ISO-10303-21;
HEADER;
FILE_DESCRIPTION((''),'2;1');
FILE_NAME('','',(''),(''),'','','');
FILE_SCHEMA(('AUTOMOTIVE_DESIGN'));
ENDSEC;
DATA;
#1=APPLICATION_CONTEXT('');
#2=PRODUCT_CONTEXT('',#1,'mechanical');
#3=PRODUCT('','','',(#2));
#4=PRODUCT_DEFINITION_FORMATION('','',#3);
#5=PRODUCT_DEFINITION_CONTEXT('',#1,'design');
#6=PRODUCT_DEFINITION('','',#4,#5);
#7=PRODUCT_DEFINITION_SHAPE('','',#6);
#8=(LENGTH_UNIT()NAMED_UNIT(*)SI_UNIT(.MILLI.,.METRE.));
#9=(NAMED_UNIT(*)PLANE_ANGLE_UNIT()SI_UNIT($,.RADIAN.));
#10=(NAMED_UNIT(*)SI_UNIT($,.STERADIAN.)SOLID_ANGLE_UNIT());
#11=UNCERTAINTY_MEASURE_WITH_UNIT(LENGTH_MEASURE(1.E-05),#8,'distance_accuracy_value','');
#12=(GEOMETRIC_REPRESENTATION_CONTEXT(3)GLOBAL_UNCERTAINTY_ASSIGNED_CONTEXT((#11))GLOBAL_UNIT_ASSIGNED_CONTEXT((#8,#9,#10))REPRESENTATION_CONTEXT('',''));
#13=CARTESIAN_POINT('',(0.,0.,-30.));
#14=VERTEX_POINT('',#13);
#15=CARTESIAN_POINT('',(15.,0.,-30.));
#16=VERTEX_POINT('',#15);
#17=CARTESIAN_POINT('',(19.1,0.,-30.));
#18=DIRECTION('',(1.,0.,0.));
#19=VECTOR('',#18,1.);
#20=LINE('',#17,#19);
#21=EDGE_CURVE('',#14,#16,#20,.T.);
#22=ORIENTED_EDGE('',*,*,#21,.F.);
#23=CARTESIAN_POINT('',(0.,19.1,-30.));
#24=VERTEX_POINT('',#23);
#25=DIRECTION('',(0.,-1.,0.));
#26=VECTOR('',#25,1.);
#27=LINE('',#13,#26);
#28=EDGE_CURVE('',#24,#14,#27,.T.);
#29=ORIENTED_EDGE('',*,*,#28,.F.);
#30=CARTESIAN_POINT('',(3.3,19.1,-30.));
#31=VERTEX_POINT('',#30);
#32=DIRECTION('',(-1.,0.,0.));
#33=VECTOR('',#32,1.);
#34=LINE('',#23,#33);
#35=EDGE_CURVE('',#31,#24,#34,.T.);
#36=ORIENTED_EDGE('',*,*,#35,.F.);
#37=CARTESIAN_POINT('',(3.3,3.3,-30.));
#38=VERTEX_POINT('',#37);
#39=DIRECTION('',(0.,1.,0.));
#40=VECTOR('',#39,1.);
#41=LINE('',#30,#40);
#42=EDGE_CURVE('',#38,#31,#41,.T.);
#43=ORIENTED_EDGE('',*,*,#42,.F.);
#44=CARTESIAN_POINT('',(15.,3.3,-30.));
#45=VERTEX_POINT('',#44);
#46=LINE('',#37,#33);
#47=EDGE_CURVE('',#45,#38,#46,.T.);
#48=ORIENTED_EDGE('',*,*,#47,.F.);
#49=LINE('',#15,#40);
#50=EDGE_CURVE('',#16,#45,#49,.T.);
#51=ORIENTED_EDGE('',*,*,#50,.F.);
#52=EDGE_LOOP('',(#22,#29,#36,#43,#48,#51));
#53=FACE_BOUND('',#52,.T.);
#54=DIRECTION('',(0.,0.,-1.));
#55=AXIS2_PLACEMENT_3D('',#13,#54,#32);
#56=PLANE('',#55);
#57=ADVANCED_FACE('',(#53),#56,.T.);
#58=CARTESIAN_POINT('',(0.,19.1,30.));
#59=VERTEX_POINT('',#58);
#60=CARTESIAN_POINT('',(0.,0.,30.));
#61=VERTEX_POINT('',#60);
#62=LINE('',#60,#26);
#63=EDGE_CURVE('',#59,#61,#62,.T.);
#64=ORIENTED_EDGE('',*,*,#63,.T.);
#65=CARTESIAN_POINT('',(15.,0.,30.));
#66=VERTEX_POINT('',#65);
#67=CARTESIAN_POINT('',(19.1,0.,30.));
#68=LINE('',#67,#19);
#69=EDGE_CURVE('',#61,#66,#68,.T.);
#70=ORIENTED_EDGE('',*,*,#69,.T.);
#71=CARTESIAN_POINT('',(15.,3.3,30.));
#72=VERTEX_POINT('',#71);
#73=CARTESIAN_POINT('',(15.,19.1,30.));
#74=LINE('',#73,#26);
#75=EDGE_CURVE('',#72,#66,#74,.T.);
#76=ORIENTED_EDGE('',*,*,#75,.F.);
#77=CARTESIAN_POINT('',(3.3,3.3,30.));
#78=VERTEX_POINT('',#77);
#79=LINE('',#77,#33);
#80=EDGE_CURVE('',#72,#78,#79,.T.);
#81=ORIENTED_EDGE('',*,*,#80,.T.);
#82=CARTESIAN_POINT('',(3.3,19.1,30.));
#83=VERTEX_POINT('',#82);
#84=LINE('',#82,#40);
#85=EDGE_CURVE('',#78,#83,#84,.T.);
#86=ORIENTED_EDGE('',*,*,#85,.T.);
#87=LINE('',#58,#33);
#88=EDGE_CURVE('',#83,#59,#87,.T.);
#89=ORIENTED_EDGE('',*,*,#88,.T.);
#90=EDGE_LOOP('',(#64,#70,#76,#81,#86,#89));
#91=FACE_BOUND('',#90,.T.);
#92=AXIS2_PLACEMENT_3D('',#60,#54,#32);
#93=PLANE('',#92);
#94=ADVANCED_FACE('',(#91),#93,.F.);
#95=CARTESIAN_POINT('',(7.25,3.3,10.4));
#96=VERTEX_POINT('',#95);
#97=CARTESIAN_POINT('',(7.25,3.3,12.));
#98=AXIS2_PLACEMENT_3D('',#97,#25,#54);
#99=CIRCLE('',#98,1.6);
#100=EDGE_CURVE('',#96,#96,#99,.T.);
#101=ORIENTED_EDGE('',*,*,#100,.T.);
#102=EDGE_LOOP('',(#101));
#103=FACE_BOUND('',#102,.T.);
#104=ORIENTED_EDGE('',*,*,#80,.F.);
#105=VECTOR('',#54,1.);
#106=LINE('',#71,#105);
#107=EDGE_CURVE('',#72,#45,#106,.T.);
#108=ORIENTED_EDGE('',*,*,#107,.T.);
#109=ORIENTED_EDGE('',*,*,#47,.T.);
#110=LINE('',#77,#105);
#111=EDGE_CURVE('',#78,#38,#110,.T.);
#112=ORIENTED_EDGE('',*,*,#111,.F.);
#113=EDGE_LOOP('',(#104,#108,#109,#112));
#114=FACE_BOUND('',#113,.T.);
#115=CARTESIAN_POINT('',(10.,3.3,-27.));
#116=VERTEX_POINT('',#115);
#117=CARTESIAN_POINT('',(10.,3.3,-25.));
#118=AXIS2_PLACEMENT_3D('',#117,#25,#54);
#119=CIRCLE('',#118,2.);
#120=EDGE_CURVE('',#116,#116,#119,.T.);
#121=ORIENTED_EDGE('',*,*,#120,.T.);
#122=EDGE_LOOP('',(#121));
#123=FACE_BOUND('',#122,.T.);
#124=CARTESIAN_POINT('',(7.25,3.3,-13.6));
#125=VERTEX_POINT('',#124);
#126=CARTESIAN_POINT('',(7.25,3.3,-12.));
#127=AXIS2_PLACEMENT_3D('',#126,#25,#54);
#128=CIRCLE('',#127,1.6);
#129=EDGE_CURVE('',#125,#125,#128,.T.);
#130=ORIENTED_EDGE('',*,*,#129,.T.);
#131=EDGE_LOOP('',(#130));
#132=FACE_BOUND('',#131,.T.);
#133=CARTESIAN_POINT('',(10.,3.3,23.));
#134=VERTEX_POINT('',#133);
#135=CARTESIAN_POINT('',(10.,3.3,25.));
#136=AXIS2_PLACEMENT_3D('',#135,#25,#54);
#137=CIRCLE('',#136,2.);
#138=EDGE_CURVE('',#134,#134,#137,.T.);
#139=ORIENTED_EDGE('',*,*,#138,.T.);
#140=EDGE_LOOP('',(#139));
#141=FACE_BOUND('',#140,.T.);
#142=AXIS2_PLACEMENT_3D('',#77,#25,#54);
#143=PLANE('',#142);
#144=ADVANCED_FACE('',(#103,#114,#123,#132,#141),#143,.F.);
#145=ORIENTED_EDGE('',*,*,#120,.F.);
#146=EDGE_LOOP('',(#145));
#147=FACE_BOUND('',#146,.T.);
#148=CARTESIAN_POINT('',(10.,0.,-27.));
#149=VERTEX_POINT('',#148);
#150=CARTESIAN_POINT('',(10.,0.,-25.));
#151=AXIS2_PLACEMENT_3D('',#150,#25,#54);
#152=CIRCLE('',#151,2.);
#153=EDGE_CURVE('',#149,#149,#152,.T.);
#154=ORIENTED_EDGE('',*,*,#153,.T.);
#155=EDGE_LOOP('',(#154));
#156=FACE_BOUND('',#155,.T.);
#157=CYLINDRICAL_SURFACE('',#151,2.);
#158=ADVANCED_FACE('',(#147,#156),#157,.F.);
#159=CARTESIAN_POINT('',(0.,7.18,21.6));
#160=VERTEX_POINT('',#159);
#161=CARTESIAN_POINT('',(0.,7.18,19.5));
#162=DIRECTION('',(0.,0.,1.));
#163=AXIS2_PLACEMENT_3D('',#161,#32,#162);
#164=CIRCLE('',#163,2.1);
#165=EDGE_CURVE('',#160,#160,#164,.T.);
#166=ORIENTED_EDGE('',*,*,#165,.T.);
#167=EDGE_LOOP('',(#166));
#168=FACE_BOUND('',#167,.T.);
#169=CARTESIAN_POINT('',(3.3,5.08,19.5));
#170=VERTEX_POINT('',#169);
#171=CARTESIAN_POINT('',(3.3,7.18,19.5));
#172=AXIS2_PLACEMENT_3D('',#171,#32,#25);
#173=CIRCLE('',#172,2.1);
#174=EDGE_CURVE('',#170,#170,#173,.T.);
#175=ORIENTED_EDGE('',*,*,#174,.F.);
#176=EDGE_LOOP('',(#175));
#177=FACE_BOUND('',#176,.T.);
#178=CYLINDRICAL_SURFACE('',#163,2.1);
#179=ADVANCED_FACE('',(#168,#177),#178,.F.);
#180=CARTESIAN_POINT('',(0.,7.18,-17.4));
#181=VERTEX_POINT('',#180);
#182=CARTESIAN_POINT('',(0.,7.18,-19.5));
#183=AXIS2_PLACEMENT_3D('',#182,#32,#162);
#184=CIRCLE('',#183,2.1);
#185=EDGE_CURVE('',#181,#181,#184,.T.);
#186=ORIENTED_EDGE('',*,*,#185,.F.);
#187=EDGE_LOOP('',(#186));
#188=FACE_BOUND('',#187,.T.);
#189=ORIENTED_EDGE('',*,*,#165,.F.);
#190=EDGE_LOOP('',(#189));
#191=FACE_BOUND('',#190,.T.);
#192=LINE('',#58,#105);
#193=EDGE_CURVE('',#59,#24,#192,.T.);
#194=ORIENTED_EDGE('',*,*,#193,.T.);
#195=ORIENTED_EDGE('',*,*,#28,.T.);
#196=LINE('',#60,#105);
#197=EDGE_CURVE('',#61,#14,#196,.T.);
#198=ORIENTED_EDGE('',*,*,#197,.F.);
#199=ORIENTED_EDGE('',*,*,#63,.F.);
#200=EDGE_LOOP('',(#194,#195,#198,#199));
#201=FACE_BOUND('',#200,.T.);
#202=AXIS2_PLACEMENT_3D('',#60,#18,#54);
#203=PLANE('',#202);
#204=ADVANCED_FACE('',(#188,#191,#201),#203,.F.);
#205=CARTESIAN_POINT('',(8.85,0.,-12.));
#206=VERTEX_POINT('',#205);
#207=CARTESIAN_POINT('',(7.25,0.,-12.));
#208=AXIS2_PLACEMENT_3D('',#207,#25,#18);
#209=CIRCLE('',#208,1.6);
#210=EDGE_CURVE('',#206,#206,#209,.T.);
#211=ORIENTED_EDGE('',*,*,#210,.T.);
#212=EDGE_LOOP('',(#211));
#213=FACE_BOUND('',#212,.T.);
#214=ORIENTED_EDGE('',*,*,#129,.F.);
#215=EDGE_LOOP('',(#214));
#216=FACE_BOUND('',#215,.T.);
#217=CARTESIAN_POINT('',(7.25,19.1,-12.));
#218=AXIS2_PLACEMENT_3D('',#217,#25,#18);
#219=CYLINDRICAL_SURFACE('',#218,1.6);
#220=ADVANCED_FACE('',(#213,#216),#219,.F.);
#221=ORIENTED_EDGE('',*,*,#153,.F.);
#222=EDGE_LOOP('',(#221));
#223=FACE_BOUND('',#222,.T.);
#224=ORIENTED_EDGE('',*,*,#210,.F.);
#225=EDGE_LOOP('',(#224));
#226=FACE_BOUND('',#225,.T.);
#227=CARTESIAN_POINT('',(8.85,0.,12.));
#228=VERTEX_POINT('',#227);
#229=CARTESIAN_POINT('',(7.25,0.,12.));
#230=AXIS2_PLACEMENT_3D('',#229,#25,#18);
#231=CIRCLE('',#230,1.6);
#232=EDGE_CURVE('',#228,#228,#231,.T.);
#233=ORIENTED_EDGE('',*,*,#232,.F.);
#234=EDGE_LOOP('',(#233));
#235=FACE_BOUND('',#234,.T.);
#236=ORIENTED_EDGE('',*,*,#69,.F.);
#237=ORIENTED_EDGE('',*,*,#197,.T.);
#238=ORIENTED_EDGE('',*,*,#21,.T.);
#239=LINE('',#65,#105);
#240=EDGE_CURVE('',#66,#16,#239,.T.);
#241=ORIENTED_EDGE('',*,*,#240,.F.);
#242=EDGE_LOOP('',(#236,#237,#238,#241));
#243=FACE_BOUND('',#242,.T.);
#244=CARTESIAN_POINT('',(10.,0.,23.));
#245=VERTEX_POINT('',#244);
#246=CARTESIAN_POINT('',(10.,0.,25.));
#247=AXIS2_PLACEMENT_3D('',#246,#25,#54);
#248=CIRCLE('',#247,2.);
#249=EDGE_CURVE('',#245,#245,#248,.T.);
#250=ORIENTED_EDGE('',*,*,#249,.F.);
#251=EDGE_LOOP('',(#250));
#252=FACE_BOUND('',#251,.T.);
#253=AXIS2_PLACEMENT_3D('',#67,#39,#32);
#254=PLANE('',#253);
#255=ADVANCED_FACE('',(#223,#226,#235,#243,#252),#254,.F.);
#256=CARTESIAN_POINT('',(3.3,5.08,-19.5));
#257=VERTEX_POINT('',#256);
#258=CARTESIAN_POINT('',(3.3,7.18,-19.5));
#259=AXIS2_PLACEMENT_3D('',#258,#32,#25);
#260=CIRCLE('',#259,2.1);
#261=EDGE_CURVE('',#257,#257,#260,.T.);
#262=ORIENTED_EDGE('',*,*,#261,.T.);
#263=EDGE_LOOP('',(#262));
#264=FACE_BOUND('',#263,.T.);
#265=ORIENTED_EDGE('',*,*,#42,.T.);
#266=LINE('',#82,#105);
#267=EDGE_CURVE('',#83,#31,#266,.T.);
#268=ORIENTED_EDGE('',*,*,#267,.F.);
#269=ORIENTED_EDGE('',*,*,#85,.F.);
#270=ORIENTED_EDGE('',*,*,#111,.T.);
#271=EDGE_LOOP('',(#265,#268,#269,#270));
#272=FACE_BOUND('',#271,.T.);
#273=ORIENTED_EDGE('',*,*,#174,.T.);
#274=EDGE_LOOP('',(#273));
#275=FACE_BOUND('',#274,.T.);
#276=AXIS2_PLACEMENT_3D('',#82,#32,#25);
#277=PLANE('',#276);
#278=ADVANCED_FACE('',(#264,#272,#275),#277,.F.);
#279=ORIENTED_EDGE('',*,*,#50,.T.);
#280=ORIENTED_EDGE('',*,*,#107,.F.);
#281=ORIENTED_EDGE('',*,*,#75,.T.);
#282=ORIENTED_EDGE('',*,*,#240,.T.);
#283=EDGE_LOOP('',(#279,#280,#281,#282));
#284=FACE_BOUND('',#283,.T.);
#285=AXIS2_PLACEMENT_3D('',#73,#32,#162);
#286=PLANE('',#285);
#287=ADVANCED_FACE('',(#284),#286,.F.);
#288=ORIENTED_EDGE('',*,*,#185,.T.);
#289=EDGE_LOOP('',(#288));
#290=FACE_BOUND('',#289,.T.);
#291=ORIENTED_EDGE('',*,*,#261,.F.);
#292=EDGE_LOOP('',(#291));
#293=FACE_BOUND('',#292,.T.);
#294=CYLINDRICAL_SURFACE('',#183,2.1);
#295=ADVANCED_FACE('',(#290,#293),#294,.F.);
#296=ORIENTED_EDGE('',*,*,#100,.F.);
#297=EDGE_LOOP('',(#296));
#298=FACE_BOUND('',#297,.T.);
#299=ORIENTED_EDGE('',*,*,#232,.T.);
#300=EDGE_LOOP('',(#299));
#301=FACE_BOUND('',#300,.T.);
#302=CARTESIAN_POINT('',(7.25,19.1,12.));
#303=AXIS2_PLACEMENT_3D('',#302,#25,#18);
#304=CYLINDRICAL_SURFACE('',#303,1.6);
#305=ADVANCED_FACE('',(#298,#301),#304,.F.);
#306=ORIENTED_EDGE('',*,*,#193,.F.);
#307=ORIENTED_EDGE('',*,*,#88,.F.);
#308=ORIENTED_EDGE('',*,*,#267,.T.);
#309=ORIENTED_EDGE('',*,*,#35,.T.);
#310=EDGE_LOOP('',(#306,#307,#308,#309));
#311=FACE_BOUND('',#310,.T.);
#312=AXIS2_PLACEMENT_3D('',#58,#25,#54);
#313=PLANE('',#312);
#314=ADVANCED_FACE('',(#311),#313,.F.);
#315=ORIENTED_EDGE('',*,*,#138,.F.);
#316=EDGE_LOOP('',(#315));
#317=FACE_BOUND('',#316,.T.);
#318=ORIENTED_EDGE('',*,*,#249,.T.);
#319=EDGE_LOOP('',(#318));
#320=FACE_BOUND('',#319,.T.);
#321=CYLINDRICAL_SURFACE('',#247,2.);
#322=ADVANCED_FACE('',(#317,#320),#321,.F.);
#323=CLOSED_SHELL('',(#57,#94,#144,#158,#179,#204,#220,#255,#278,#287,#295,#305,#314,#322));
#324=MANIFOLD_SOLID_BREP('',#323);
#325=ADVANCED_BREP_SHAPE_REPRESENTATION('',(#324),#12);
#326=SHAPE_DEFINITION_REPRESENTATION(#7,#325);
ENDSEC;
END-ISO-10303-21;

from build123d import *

# Parameters (mm, degrees)
EXTRUDE1_DEPTH               = 30
SKETCH2_W                    = 4.1
SKETCH2_H                    = 60
CUT_FOR_WALKER_CHASSIS_DEPTH = 20.1
F_4_2_4_2_DIAMETER_HOLE1_D   = 4.2
M4X0_7_TAPPED_HOLE1_D        = 4
M4X0_7_TAPPED_HOLE1_DEPTH    = 3.3
SKETCH7_R                    = 1.6
CUT_EXTRUDE1_DEPTH           = 20.1


with BuildPart() as part:
    # Sketch1 → Extrude1 (new body, symmetric)
    with BuildSketch(Plane.XY):
        Polygon((0, 0), (0, 19.1), (3.3, 19.1), (3.3, 3.3), (19.1, 3.3), (19.1, 0), align=None)
    extrude(amount=EXTRUDE1_DEPTH, both=True)

    # Sketch2 → Cut for walker chassis (cut, through all)
    with BuildSketch(Plane.XZ):
        with Locations((17.05, 0)):
            Rectangle(SKETCH2_W, SKETCH2_H)
    extrude(amount=-CUT_FOR_WALKER_CHASSIS_DEPTH, mode=Mode.SUBTRACT)

    # Ø4.2 (4.2) Diameter Hole1 (through all)
    with Locations(Plane.ZY):
        with Locations((-19.5, 7.18), (19.5, 7.18)):
            Hole(F_4_2_4_2_DIAMETER_HOLE1_D / 2)

    # M4x0.7 Tapped Hole1
    with Locations(Plane.XZ):
        with Locations((10, 25), (10, -25)):
            Hole(M4X0_7_TAPPED_HOLE1_D / 2, depth=M4X0_7_TAPPED_HOLE1_DEPTH)

    # Sketch7 → Cut-Extrude1 (cut, through all)
    with BuildSketch(Plane.XZ):
        with Locations((7.25, -12)):
            Circle(SKETCH7_R)
        with Locations((7.25, 12)):
            Circle(SKETCH7_R)
    extrude(amount=-CUT_EXTRUDE1_DEPTH, mode=Mode.SUBTRACT)


solid = part.part
